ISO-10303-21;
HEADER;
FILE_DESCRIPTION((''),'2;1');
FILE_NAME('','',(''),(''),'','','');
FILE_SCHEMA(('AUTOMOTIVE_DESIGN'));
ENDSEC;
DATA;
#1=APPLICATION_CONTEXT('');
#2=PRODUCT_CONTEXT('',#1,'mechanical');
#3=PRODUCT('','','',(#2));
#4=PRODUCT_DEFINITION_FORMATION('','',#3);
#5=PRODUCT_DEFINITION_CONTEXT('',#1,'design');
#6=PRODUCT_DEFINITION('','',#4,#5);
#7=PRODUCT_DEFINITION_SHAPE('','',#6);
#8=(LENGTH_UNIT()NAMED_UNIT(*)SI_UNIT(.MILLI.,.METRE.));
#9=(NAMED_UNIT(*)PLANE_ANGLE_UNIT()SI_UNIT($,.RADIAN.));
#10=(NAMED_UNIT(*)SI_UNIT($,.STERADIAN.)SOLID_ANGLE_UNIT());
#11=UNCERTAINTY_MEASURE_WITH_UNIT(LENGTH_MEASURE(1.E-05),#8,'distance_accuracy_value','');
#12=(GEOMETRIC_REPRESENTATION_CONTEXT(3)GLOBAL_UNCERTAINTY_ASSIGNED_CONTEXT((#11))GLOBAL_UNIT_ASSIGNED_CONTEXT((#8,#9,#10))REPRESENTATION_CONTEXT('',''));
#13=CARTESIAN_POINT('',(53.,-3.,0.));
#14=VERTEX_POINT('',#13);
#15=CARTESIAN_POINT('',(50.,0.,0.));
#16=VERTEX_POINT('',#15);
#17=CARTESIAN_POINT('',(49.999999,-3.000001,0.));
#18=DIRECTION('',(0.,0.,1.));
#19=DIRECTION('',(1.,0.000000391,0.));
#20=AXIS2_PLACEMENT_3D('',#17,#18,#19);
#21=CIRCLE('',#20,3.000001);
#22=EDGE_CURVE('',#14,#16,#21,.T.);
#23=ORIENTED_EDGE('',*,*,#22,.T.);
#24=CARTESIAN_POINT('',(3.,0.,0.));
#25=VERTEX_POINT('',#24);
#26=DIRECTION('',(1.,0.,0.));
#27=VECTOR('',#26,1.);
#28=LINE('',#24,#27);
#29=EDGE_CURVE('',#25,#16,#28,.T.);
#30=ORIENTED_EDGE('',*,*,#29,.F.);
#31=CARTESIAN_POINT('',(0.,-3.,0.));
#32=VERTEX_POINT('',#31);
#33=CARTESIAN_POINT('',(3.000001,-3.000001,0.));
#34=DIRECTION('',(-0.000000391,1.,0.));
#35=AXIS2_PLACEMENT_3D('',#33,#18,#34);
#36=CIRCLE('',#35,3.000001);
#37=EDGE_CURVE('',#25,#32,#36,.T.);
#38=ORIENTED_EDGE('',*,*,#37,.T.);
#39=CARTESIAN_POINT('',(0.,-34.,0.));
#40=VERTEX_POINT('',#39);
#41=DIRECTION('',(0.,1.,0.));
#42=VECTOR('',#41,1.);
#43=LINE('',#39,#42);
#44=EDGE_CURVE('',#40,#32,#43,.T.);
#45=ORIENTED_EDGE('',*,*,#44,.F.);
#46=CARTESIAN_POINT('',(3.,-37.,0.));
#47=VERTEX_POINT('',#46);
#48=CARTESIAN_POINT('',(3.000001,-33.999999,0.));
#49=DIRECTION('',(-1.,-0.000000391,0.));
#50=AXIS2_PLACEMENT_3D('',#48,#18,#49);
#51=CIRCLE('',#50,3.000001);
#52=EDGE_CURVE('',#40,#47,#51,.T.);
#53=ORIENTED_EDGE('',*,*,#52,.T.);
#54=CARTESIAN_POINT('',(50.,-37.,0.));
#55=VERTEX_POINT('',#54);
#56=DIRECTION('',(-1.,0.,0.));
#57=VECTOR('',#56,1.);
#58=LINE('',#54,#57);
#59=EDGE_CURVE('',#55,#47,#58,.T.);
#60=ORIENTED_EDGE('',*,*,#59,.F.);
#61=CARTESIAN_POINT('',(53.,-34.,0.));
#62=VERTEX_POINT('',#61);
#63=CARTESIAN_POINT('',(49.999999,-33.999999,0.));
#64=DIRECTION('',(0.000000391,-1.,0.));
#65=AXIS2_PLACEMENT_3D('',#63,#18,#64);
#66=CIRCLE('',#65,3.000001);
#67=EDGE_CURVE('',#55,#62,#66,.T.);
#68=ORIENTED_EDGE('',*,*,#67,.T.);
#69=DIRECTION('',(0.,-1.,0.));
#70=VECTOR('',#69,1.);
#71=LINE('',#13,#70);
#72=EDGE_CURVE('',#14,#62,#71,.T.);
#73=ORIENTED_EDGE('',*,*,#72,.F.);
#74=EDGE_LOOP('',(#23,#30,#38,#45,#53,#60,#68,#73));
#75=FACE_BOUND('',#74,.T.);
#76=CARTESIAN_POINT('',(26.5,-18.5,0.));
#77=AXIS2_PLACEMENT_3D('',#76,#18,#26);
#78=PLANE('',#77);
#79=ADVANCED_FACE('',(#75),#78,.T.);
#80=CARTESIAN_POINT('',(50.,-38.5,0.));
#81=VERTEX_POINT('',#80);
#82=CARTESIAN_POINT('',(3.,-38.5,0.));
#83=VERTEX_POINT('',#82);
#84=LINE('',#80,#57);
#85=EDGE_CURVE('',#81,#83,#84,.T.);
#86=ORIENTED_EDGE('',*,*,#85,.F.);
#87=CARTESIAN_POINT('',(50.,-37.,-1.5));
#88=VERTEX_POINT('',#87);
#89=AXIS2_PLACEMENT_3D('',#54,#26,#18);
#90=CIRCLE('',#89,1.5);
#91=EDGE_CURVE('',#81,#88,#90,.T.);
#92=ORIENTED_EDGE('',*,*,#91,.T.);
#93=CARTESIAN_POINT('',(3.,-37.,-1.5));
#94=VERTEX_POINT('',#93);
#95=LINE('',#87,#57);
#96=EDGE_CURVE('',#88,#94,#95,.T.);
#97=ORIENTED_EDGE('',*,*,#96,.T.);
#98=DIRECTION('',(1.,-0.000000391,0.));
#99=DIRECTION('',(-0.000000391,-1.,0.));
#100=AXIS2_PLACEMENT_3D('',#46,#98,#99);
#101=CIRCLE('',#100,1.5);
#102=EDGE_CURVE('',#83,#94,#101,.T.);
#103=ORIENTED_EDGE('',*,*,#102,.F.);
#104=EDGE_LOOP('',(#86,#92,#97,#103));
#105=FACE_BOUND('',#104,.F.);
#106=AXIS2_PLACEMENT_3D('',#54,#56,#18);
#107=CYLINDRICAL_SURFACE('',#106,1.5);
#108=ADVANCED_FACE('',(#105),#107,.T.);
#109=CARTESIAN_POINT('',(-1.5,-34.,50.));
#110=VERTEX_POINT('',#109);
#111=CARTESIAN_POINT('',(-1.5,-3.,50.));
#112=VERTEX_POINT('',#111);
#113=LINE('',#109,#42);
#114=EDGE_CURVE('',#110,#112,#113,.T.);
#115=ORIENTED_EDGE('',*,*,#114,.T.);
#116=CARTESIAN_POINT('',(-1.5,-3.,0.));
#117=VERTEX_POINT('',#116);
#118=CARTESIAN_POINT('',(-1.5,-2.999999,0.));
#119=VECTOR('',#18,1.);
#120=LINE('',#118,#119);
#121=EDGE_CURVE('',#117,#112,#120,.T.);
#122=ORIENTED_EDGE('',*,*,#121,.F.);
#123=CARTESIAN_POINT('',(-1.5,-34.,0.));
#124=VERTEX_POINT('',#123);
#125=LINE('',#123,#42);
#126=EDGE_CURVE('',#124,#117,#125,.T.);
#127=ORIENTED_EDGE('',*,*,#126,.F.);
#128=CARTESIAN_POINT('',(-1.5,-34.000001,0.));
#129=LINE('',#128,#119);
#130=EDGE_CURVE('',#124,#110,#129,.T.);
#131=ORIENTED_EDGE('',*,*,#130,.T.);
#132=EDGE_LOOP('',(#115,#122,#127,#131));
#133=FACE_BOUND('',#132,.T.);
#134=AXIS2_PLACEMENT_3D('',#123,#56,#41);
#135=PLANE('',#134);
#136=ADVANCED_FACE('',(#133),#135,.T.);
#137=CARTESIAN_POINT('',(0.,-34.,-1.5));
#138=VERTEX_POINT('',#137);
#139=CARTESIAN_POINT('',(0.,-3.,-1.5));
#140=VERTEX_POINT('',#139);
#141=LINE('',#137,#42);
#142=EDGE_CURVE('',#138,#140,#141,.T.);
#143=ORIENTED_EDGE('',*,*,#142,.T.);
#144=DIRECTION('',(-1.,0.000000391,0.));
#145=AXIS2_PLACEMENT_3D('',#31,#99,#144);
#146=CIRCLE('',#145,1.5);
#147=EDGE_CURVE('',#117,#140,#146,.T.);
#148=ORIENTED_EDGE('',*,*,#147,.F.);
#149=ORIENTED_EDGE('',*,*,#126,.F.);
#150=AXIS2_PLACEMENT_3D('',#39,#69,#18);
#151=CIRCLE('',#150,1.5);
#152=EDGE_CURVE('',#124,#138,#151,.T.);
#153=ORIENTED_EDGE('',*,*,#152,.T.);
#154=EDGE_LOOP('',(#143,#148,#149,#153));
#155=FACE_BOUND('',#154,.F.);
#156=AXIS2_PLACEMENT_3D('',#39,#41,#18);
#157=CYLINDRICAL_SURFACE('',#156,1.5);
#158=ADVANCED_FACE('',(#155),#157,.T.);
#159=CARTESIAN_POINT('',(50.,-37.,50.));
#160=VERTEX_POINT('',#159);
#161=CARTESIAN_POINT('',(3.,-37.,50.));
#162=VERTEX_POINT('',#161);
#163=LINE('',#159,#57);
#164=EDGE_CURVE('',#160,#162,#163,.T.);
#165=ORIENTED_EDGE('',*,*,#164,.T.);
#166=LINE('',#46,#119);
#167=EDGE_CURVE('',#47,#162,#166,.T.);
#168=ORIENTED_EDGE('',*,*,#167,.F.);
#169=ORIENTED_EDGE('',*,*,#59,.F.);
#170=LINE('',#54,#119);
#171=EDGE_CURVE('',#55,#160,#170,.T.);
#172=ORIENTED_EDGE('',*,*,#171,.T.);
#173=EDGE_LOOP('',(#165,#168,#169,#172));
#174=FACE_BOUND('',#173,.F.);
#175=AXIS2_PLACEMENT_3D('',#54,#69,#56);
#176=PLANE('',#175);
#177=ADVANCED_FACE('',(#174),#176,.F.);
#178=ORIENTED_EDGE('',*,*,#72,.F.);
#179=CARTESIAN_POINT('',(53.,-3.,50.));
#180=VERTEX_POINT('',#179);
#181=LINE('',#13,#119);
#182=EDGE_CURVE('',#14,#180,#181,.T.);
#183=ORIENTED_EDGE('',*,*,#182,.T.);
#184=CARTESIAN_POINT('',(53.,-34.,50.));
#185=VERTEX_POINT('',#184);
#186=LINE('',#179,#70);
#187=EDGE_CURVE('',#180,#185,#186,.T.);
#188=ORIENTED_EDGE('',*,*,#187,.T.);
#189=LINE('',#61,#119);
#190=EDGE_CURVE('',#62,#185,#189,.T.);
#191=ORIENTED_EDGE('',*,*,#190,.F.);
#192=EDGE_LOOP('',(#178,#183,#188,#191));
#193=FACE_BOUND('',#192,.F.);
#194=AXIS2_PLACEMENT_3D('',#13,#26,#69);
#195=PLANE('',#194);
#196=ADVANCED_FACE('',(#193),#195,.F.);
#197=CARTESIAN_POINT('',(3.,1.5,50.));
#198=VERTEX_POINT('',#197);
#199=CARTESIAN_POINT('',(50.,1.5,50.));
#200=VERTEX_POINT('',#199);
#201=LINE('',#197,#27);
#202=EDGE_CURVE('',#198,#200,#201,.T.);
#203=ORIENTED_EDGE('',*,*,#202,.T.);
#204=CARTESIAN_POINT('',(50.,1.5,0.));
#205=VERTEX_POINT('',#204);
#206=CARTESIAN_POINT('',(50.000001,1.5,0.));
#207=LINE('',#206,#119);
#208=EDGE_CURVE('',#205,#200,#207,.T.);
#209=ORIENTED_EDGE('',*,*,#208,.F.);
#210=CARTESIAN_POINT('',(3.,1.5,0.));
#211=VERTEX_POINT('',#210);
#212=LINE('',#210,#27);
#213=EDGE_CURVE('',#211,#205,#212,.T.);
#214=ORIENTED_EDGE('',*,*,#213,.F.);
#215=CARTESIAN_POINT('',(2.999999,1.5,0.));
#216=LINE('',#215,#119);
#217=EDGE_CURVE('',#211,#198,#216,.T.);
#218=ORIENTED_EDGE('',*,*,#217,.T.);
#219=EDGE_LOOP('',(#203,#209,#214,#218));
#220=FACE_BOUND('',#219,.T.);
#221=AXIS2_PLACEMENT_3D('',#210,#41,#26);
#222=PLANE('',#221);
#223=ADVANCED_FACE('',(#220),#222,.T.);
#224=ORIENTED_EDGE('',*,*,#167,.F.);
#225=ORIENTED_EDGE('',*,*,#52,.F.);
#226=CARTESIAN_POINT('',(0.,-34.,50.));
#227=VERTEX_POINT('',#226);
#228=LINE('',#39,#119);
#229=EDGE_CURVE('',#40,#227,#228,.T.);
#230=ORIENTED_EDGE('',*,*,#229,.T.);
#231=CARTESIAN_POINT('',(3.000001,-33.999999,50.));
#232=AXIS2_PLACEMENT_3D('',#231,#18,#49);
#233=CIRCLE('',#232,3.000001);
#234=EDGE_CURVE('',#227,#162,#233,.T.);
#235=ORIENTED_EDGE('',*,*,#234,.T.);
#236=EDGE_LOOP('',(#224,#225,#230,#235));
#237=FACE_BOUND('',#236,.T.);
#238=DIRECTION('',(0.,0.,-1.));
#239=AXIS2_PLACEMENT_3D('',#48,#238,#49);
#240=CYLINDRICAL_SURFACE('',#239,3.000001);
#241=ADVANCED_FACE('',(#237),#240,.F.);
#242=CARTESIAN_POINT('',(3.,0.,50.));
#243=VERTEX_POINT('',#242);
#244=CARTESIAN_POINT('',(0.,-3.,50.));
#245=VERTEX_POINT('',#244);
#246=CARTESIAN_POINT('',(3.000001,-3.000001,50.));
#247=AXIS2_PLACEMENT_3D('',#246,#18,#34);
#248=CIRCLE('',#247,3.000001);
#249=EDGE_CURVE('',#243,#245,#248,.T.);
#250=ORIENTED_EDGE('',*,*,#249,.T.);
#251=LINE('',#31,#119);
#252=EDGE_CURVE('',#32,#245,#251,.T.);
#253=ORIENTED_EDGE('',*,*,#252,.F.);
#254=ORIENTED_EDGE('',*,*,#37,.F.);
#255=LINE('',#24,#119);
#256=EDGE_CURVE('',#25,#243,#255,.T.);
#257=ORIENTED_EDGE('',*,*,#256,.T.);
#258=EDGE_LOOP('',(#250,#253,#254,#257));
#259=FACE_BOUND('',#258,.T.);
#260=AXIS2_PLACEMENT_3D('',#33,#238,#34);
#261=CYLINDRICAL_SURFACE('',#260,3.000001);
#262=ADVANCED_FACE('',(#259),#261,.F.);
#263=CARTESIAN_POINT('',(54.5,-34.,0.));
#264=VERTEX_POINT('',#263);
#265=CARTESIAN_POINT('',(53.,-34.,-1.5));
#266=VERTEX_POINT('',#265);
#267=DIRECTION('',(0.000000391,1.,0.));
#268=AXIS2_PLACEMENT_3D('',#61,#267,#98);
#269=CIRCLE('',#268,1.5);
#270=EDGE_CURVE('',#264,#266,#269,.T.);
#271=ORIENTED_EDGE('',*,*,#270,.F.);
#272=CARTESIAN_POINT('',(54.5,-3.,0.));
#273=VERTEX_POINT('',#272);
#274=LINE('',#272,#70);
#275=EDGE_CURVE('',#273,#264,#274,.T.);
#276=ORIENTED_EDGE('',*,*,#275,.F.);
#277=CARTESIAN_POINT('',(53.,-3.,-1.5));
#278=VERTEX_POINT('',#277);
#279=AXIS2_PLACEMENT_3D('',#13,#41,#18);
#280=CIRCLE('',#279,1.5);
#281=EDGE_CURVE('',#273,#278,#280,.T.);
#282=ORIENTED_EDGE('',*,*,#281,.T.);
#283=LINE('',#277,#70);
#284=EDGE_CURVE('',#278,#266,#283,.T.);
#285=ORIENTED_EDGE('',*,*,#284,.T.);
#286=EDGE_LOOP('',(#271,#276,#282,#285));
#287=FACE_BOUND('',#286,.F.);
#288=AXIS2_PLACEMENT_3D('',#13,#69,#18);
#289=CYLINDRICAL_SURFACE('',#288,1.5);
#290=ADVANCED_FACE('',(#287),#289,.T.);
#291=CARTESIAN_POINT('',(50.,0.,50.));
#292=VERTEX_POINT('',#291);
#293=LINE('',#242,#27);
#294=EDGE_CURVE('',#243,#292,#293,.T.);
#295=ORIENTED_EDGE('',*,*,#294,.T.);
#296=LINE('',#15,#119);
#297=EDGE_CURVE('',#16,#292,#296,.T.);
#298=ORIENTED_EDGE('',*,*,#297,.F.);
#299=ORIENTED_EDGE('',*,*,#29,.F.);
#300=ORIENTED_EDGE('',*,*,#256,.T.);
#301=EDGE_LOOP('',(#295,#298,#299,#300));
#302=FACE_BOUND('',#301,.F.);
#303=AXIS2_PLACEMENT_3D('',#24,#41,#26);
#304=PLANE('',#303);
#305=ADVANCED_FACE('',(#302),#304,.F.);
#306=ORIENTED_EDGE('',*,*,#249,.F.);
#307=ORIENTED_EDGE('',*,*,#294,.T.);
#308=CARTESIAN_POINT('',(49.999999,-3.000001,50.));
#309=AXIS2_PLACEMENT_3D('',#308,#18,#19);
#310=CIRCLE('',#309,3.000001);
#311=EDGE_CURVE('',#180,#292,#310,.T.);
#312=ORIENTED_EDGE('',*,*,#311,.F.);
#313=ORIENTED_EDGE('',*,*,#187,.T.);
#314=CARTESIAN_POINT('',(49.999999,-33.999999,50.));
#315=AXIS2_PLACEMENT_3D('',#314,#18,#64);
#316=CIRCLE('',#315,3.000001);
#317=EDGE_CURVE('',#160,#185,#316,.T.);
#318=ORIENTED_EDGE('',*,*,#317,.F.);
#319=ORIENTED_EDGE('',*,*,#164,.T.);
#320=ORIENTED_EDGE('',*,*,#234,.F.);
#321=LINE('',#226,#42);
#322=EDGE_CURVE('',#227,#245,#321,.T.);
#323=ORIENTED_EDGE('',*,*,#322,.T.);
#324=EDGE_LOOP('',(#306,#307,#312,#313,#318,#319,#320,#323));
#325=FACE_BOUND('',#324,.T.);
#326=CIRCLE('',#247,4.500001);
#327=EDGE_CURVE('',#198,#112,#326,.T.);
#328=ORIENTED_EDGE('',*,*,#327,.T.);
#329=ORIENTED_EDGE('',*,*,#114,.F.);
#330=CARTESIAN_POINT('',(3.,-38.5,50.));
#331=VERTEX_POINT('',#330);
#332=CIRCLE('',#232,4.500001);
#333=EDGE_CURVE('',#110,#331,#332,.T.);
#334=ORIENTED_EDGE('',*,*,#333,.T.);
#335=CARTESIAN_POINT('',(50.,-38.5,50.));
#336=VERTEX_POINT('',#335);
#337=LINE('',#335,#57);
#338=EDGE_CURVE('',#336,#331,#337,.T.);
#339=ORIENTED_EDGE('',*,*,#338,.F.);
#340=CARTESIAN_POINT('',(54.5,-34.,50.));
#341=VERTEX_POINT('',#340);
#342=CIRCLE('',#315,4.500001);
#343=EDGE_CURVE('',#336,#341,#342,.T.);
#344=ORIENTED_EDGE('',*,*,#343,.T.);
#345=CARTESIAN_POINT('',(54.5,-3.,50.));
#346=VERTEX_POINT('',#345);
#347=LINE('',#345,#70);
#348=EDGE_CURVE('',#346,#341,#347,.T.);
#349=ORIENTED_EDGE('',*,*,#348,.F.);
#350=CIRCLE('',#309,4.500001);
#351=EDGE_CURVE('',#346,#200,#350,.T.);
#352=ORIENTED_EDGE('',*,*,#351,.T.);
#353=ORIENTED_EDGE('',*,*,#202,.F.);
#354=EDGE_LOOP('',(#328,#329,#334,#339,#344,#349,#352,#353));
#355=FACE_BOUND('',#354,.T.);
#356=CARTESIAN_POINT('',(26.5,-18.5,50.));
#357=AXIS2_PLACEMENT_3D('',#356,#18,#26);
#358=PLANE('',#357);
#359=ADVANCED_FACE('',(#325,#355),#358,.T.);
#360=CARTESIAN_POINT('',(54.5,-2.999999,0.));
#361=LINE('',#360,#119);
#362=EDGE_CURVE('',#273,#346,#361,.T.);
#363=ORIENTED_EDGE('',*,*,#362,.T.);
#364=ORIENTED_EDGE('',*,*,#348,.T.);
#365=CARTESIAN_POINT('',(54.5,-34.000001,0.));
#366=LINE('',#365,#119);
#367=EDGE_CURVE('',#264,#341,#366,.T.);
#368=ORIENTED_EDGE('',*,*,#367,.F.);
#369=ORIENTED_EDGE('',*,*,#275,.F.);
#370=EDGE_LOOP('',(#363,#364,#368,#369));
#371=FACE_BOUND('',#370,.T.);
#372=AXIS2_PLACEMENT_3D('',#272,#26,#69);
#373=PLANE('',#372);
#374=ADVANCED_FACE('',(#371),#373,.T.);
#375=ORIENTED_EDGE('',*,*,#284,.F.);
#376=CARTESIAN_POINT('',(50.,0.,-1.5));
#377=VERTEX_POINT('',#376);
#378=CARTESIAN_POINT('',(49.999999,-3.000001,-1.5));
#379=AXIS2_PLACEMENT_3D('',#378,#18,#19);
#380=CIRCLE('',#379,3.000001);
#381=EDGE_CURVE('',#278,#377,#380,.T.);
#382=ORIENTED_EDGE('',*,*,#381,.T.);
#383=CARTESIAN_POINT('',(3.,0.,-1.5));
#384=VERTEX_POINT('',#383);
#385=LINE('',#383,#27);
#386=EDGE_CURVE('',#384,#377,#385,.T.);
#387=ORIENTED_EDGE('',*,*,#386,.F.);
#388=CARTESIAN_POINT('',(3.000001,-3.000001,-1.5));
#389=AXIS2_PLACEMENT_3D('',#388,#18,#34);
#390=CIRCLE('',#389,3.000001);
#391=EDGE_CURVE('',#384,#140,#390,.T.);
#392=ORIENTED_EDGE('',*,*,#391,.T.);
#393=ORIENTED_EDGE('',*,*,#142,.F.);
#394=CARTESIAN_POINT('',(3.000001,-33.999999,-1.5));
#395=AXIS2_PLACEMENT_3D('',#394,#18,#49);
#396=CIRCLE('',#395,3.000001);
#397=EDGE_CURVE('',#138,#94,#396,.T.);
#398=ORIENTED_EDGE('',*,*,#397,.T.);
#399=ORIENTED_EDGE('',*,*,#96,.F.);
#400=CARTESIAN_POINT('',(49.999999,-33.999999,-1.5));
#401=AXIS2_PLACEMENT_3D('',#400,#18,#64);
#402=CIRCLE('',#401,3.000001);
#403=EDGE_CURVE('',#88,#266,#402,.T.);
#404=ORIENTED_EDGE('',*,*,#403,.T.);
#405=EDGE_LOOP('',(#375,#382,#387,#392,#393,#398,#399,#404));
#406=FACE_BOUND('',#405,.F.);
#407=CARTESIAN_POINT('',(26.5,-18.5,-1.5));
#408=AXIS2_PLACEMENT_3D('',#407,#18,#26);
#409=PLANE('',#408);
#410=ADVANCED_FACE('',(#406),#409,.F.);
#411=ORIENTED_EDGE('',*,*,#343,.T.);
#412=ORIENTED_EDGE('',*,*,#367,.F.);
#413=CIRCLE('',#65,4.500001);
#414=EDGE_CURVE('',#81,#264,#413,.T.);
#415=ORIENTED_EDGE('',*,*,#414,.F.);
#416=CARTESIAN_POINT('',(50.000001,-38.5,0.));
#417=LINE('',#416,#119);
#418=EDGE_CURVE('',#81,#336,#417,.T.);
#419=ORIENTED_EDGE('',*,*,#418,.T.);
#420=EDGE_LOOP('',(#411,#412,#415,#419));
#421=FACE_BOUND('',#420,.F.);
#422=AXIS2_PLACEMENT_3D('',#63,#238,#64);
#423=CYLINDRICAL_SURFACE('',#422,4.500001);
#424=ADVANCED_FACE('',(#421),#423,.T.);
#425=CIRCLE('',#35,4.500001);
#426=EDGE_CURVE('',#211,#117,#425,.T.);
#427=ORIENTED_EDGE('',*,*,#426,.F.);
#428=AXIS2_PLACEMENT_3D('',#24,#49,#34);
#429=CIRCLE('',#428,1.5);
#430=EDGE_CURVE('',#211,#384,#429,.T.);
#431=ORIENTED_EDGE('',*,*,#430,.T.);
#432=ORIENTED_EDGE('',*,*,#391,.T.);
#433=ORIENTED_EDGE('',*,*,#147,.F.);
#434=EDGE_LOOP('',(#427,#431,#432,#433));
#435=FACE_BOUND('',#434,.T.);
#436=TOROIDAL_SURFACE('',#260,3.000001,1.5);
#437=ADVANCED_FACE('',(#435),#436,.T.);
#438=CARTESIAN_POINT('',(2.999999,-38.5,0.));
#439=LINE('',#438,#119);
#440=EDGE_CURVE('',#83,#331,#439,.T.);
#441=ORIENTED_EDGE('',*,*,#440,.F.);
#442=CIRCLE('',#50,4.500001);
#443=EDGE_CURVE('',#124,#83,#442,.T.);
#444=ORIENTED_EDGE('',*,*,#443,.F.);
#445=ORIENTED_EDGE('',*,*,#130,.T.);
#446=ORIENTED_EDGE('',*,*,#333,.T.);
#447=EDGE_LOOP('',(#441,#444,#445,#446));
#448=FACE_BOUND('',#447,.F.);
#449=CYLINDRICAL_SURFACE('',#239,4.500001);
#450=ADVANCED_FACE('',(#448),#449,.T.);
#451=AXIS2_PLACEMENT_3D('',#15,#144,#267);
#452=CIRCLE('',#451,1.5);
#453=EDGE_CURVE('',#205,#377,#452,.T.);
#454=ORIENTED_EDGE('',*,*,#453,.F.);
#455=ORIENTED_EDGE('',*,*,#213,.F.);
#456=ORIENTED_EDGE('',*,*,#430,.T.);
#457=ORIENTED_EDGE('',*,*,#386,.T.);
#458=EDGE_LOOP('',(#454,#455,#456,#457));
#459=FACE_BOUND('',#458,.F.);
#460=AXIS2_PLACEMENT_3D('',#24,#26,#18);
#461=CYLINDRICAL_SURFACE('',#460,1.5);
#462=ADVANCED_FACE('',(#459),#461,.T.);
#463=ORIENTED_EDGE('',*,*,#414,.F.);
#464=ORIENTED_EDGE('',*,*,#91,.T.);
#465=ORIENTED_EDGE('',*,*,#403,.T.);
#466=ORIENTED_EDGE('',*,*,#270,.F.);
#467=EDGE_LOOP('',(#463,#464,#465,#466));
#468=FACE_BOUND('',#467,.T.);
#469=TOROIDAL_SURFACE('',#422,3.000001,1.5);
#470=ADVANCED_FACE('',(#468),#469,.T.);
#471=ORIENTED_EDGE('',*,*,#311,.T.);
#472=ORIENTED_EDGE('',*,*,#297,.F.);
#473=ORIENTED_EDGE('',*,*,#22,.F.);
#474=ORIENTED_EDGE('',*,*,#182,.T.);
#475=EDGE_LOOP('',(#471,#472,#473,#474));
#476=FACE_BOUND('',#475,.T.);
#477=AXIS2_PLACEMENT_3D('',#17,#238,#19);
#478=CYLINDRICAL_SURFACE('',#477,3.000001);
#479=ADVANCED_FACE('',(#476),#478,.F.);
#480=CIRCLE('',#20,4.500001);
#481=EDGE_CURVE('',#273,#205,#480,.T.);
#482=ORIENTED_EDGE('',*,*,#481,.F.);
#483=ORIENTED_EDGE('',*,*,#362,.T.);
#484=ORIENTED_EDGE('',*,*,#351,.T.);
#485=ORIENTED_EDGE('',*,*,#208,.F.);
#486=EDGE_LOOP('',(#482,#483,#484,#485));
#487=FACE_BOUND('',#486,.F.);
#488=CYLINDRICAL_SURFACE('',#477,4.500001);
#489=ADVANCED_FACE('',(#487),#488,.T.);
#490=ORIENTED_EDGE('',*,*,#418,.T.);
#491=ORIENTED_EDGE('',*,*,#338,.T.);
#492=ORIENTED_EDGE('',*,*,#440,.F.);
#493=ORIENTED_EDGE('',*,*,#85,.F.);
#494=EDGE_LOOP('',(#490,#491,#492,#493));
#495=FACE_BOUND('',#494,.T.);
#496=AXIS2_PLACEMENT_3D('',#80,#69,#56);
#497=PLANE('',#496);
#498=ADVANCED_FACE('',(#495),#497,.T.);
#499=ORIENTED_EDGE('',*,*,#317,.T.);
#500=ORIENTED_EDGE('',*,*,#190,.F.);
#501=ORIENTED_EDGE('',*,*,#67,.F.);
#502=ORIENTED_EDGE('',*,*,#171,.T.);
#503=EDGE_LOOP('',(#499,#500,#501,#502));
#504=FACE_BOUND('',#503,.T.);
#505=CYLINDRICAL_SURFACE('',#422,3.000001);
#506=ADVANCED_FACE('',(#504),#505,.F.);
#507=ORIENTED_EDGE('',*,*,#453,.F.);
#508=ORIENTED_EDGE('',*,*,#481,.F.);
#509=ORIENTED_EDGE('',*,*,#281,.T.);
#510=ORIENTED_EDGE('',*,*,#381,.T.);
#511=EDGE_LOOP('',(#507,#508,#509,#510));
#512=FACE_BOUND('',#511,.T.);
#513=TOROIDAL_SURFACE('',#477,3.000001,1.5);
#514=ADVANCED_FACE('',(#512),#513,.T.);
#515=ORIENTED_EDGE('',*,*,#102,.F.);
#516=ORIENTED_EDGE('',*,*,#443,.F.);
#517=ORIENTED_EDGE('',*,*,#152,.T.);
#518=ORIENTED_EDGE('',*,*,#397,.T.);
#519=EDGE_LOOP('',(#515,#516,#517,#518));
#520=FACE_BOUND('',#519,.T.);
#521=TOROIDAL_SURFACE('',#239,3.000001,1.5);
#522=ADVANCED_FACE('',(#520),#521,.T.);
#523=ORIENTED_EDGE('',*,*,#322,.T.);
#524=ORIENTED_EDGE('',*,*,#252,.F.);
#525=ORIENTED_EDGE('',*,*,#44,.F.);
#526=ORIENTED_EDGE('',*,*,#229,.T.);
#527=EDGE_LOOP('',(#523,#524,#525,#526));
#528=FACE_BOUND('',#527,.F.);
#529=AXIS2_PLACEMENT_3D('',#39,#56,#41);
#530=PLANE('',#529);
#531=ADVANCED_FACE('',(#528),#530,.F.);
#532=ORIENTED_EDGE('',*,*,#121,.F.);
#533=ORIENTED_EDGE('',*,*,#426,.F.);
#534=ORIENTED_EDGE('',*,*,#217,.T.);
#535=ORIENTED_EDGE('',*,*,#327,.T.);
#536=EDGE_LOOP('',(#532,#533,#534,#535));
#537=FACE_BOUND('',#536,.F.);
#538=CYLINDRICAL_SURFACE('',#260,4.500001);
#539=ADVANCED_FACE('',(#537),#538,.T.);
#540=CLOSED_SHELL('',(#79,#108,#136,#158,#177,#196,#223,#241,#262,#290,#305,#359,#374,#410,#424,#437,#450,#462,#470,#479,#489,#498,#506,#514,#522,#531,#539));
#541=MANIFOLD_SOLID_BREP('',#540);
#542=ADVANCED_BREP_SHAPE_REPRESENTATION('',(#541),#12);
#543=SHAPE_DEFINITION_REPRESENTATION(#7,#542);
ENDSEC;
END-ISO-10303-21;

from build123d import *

# Parameters (mm, degrees)
PAD_DEPTH   = 50
THICKNESS_T = 1.5


with BuildPart() as part:
    # Sketch → Pad (new body)
    with BuildSketch(Plane.XY):
        with BuildLine():
            ThreePointArc((3, 0), (0.87868, -0.87868), (0, -3))
            Line((0, -34), (0, -3))
            ThreePointArc((0, -34), (0.87868, -36.12132), (3, -37))
            Line((50, -37), (3, -37))
            ThreePointArc((50, -37), (52.12132, -36.12132), (53, -34))
            Line((53, -3), (53, -34))
            ThreePointArc((53, -3), (52.12132, -0.87868), (50, 0))
            Line((3, 0), (50, 0))
        make_face()
    extrude(amount=PAD_DEPTH)

    # Thickness
    thickness_openings = [part.faces().sort_by_distance(p)[0] for p in [
        (26.5, -18.5, 50),
    ]]
    offset(amount=THICKNESS_T, openings=thickness_openings)


solid = part.part
